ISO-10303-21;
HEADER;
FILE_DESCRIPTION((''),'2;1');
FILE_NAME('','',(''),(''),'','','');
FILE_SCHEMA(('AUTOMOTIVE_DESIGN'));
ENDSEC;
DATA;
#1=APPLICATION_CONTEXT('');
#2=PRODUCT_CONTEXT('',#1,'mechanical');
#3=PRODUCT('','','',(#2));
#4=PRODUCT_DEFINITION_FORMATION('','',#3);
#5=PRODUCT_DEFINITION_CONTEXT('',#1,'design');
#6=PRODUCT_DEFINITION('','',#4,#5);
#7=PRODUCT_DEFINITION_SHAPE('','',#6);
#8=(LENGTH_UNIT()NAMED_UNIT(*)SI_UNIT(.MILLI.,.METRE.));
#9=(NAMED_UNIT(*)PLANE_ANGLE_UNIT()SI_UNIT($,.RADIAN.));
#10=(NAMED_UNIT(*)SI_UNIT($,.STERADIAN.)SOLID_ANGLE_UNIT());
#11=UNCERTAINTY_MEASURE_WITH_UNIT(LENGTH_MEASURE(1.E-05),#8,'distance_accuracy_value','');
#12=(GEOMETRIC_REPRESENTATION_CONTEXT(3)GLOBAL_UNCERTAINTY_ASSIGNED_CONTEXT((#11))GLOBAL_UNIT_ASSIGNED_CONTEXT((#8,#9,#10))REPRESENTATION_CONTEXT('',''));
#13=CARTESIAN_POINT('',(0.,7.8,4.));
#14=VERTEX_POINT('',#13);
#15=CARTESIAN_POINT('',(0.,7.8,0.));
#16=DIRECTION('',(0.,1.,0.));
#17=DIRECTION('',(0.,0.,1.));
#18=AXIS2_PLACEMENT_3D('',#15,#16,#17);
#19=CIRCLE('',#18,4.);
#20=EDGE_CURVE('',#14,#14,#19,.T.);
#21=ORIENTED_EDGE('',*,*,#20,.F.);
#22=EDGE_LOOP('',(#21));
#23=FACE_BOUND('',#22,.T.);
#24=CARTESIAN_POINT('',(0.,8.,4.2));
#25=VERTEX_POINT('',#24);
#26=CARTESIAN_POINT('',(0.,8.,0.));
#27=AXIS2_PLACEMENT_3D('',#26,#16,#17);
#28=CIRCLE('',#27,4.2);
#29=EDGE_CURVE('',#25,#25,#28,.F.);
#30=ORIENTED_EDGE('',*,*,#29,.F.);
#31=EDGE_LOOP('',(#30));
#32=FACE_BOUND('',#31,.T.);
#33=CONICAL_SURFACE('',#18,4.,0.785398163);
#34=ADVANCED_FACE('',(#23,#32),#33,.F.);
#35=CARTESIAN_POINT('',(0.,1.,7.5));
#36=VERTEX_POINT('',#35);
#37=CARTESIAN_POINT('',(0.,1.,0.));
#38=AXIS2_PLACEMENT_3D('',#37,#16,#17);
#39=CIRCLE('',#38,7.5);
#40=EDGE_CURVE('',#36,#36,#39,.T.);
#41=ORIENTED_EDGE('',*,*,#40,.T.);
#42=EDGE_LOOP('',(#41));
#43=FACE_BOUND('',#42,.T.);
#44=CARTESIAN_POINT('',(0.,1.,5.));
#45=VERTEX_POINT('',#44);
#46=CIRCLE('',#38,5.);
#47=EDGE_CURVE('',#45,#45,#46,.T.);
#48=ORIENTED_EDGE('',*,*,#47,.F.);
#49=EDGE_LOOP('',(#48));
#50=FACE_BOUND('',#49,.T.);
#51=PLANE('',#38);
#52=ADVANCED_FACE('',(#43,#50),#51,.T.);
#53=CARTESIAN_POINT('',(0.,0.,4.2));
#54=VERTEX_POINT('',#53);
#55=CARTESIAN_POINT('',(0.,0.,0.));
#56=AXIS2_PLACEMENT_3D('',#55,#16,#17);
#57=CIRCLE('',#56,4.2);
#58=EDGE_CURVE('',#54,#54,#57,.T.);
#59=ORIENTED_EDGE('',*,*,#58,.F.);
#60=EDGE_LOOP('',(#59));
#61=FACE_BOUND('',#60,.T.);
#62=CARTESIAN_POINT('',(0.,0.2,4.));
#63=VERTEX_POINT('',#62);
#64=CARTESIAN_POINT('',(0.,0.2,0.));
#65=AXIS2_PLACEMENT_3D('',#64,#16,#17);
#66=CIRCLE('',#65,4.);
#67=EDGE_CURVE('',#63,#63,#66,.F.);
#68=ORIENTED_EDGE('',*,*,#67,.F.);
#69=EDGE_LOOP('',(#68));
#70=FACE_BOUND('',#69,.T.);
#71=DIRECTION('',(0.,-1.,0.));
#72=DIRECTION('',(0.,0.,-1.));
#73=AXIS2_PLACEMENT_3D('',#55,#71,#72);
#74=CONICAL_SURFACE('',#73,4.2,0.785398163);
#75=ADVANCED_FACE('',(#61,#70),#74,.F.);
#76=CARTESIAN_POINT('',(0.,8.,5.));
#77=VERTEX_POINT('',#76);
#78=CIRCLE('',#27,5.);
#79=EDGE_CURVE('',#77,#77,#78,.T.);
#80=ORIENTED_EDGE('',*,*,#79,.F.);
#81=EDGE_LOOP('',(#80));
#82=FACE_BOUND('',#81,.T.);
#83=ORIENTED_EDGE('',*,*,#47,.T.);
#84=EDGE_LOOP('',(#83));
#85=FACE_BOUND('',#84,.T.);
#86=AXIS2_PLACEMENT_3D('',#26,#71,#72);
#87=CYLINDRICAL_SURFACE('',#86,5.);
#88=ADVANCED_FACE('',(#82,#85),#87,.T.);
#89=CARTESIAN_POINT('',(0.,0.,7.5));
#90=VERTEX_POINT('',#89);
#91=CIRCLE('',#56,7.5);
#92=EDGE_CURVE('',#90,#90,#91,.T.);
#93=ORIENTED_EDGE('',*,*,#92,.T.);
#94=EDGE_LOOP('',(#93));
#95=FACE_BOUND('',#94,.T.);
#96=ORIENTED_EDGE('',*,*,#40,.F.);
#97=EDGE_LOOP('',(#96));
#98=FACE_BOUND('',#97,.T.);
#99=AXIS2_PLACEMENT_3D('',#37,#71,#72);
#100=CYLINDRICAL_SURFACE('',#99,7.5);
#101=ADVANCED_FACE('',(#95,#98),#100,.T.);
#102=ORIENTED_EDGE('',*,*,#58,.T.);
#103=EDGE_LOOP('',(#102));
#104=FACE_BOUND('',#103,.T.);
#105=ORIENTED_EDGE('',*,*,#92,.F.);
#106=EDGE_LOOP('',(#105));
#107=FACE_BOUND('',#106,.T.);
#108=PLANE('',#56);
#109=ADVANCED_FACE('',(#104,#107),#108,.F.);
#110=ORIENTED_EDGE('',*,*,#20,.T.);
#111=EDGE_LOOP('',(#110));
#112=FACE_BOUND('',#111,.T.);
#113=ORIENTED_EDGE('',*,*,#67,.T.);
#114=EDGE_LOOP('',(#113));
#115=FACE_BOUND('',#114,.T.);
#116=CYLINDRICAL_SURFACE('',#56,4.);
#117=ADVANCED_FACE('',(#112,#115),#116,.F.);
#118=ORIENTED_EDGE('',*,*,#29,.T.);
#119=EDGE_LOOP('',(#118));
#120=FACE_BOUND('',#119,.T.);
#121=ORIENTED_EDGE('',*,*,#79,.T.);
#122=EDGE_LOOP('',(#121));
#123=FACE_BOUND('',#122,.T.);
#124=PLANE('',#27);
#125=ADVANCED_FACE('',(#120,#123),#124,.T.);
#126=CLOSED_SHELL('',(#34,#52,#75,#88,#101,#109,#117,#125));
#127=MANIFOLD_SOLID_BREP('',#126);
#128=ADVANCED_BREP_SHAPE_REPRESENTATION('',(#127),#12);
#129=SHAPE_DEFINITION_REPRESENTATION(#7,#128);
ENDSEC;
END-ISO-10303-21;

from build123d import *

# Parameters (mm, degrees)
SKIZZE1_R                       = 7.5
AUFSATZ_LINEAR_AUSTRAGEN1_DEPTH = 1
SKIZZE2_R                       = 5
AUFSATZ_LINEAR_AUSTRAGEN2_DEPTH = 7
SKIZZE4_R                       = 4
SCHNITT_LINEAR_AUSTRAGEN1_DEPTH = 14.285330256
FASE1_SIZE                      = 0.2


with BuildPart() as part:
    # Skizze1 → Aufsatz-Linear austragen1 (new body)
    with BuildSketch(Plane(origin=(0, 0, 0), x_dir=(1, 0, 0), z_dir=(0, 1, 0))):
        with Locations(Location((0, 0, 0), (0, 0, 270))):
            Circle(SKIZZE1_R)
    extrude(amount=AUFSATZ_LINEAR_AUSTRAGEN1_DEPTH)

    # Skizze2 → Aufsatz-Linear austragen2 (add)
    with BuildSketch(Plane(origin=(0, 1, 0), x_dir=(1, 0, 0), z_dir=(0, 1, 0))):
        with Locations(Location((0, 0, 0), (0, 0, 270))):
            Circle(SKIZZE2_R)
    extrude(amount=AUFSATZ_LINEAR_AUSTRAGEN2_DEPTH)

    # Skizze4 → Schnitt-Linear austragen1 (cut, through all)
    with BuildSketch(Plane(origin=(0, 8, 0), x_dir=(1, 0, 0), z_dir=(0, 1, 0))):
        with Locations(Location((0, 0, 0), (0, 0, 270))):
            Circle(SKIZZE4_R)
    extrude(amount=-SCHNITT_LINEAR_AUSTRAGEN1_DEPTH, mode=Mode.SUBTRACT)

    # Fase1
    fase1_edges = [part.edges().sort_by_distance(p)[0] for p in [
        (0, 0, -4),
        (0, 8, -4),
    ]]
    chamfer(fase1_edges, length=FASE1_SIZE)


solid = part.part
